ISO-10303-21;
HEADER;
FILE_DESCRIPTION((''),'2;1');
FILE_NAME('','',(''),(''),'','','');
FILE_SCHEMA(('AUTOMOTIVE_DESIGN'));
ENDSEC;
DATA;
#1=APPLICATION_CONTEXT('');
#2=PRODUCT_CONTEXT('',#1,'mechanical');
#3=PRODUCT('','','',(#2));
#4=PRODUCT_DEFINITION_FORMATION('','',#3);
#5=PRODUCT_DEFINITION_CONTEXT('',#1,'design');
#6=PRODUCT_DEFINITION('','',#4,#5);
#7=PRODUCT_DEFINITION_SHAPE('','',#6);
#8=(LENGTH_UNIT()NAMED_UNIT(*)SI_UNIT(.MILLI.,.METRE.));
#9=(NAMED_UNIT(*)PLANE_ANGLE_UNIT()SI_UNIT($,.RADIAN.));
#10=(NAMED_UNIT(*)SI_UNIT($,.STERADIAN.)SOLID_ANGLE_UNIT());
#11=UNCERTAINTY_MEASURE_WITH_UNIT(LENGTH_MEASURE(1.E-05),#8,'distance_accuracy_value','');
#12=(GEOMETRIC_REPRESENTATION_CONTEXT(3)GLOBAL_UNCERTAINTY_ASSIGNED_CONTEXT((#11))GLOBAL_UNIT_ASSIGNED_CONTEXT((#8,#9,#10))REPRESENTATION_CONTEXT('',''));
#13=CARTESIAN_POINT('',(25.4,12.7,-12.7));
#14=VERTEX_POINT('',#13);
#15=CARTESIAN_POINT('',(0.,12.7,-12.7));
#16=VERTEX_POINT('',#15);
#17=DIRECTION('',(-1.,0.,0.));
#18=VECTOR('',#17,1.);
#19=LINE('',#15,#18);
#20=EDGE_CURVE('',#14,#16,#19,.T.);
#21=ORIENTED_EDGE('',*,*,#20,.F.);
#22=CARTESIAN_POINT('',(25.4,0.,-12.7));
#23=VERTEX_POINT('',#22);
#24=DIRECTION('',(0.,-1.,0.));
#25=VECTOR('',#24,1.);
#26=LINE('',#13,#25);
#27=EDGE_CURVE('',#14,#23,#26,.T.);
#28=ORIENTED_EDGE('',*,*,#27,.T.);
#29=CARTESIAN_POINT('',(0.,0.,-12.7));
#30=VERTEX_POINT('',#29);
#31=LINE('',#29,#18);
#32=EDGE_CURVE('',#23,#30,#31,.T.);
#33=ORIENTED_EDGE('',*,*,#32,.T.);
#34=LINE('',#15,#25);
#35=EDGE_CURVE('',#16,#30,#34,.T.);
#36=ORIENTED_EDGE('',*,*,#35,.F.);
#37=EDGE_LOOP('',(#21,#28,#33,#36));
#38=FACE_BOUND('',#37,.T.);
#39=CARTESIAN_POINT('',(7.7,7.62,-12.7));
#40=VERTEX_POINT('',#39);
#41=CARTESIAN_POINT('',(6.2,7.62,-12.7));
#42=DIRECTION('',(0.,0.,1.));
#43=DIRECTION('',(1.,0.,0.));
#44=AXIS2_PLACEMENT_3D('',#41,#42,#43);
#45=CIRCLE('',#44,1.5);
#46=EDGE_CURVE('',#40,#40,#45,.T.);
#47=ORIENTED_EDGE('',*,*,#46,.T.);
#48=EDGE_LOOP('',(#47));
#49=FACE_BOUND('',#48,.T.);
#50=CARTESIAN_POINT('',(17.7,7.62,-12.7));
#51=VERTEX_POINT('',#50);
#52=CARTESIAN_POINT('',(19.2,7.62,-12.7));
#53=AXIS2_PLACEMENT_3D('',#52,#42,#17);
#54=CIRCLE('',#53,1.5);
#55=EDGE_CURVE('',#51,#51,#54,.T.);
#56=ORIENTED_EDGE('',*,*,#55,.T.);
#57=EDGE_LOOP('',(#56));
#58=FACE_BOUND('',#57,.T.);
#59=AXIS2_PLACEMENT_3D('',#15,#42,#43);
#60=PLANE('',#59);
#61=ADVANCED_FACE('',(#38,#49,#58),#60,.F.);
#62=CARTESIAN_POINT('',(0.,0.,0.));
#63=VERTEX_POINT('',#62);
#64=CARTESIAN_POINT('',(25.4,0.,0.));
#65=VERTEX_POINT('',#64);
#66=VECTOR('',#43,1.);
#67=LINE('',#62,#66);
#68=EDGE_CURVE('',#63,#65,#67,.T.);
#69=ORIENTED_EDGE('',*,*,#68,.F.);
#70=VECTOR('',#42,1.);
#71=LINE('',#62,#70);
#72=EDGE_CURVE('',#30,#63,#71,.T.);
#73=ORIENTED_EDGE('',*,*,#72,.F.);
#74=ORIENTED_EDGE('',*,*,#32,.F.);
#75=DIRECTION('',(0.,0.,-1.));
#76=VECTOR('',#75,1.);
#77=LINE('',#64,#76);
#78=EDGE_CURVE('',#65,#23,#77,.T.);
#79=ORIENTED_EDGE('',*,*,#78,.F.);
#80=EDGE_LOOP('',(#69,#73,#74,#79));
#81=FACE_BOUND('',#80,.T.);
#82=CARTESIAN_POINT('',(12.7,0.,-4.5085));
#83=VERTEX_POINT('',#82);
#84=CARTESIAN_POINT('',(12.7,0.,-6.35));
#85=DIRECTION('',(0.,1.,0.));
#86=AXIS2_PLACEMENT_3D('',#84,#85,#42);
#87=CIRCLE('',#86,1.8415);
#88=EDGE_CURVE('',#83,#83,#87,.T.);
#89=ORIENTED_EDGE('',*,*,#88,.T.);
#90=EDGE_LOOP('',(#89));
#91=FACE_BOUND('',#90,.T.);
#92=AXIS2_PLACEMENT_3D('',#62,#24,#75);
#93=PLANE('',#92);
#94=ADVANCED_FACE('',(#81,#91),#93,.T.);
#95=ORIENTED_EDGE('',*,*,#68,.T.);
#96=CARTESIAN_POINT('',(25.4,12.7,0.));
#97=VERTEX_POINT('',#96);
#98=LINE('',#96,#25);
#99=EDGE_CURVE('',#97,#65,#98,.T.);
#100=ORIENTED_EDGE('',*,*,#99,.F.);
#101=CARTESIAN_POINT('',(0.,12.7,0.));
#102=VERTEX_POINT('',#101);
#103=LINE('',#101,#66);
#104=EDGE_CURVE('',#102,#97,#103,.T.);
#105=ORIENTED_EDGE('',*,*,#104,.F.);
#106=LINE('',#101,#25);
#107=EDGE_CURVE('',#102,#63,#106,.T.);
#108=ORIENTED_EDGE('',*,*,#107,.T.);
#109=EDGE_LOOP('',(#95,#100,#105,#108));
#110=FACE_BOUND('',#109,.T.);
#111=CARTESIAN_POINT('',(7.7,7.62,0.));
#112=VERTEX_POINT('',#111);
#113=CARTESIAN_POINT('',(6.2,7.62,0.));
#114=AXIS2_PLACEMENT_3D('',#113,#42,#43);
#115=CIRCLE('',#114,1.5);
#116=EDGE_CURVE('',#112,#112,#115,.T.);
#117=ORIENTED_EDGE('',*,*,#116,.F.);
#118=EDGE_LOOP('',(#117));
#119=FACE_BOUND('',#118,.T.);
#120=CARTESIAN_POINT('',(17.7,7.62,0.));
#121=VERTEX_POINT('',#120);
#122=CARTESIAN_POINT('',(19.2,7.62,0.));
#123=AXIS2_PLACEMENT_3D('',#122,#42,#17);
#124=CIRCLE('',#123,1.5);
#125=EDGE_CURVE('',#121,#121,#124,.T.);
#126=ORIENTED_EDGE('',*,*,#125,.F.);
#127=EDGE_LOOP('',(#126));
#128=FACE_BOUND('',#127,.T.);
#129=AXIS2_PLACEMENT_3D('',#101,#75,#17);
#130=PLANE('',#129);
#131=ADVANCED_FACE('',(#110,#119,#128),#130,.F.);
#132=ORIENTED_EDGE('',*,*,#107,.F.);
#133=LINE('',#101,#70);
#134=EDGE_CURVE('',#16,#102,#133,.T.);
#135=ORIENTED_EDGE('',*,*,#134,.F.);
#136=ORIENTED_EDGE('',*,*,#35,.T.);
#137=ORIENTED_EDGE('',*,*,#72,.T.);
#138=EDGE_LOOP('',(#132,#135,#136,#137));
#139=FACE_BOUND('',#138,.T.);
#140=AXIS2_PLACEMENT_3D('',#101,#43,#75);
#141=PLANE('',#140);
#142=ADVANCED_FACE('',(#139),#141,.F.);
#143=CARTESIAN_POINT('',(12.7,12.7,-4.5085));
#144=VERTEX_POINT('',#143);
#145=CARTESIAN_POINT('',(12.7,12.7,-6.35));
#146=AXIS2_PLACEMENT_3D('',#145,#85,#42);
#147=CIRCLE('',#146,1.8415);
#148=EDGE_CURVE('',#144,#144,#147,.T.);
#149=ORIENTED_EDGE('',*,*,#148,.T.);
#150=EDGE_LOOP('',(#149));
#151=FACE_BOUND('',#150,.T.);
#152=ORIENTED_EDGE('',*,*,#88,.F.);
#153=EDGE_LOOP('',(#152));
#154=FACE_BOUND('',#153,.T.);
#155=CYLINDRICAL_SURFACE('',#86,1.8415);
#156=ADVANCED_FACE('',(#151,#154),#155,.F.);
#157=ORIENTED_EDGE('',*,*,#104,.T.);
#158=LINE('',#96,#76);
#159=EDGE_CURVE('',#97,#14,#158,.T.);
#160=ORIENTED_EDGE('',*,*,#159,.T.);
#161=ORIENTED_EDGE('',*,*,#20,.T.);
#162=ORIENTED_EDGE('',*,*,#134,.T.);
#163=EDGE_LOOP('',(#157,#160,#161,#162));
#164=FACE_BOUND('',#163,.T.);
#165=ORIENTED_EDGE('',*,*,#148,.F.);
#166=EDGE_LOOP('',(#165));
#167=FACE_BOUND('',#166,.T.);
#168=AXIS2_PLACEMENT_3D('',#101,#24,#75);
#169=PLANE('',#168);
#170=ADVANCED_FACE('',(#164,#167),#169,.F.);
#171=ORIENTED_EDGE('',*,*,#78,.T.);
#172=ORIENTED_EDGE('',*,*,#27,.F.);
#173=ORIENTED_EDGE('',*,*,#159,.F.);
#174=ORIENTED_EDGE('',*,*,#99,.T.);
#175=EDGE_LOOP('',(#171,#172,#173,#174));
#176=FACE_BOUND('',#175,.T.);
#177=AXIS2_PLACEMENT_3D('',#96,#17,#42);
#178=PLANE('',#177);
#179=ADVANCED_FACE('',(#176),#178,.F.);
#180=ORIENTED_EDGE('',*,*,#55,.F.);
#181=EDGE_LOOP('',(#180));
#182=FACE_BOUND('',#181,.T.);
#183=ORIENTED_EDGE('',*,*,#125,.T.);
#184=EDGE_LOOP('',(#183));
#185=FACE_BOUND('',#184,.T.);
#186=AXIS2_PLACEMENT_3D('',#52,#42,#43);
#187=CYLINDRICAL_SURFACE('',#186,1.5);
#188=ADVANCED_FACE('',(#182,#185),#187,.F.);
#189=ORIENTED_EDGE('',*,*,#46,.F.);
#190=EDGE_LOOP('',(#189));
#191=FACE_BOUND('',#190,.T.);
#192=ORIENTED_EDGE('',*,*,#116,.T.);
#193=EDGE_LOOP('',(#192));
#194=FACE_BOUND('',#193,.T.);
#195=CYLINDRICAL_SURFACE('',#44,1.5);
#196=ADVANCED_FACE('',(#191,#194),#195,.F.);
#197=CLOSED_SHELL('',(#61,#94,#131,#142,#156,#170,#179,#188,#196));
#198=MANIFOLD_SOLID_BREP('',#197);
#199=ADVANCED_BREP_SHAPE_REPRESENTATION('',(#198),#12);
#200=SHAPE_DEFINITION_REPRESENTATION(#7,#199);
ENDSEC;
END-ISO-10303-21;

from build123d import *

# Parameters (mm, degrees)
SKETCH1_W           = 25.4
SKETCH1_H           = 12.7
BOSS_EXTRUDE1_DEPTH = 12.7
SKETCH2_R           = 1.5
CUT_EXTRUDE1_DEPTH  = 32.108519733
SKETCH3_R           = 1.8415
CUT_EXTRUDE2_DEPTH  = 32.108519733


with BuildPart() as part:
    # Sketch1 → Boss-Extrude1 (new body)
    with BuildSketch(Plane(origin=(0, 0, 0), x_dir=(1, 0, 0), z_dir=(0, 1, 0))):
        with Locations((12.7, 6.35)):
            Rectangle(SKETCH1_W, SKETCH1_H)
    extrude(amount=BOSS_EXTRUDE1_DEPTH)

    # Sketch2 → Cut-Extrude1 (cut, through all)
    with BuildSketch(Plane.XY):
        with Locations((6.2, 7.62)):
            Circle(SKETCH2_R)
        with Locations(Location((19.2, 7.62, 0), (0, 0, 180))):
            Circle(SKETCH2_R)
    extrude(amount=-CUT_EXTRUDE1_DEPTH, mode=Mode.SUBTRACT)

    # Sketch3 → Cut-Extrude2 (cut, through all)
    with BuildSketch(Plane(origin=(0, 12.7, 0), x_dir=(1, 0, 0), z_dir=(0, 1, 0))):
        with Locations(Location((12.7, 6.35, 0), (0, 0, 270))):
            Circle(SKETCH3_R)
    extrude(amount=-CUT_EXTRUDE2_DEPTH, mode=Mode.SUBTRACT)


solid = part.part
